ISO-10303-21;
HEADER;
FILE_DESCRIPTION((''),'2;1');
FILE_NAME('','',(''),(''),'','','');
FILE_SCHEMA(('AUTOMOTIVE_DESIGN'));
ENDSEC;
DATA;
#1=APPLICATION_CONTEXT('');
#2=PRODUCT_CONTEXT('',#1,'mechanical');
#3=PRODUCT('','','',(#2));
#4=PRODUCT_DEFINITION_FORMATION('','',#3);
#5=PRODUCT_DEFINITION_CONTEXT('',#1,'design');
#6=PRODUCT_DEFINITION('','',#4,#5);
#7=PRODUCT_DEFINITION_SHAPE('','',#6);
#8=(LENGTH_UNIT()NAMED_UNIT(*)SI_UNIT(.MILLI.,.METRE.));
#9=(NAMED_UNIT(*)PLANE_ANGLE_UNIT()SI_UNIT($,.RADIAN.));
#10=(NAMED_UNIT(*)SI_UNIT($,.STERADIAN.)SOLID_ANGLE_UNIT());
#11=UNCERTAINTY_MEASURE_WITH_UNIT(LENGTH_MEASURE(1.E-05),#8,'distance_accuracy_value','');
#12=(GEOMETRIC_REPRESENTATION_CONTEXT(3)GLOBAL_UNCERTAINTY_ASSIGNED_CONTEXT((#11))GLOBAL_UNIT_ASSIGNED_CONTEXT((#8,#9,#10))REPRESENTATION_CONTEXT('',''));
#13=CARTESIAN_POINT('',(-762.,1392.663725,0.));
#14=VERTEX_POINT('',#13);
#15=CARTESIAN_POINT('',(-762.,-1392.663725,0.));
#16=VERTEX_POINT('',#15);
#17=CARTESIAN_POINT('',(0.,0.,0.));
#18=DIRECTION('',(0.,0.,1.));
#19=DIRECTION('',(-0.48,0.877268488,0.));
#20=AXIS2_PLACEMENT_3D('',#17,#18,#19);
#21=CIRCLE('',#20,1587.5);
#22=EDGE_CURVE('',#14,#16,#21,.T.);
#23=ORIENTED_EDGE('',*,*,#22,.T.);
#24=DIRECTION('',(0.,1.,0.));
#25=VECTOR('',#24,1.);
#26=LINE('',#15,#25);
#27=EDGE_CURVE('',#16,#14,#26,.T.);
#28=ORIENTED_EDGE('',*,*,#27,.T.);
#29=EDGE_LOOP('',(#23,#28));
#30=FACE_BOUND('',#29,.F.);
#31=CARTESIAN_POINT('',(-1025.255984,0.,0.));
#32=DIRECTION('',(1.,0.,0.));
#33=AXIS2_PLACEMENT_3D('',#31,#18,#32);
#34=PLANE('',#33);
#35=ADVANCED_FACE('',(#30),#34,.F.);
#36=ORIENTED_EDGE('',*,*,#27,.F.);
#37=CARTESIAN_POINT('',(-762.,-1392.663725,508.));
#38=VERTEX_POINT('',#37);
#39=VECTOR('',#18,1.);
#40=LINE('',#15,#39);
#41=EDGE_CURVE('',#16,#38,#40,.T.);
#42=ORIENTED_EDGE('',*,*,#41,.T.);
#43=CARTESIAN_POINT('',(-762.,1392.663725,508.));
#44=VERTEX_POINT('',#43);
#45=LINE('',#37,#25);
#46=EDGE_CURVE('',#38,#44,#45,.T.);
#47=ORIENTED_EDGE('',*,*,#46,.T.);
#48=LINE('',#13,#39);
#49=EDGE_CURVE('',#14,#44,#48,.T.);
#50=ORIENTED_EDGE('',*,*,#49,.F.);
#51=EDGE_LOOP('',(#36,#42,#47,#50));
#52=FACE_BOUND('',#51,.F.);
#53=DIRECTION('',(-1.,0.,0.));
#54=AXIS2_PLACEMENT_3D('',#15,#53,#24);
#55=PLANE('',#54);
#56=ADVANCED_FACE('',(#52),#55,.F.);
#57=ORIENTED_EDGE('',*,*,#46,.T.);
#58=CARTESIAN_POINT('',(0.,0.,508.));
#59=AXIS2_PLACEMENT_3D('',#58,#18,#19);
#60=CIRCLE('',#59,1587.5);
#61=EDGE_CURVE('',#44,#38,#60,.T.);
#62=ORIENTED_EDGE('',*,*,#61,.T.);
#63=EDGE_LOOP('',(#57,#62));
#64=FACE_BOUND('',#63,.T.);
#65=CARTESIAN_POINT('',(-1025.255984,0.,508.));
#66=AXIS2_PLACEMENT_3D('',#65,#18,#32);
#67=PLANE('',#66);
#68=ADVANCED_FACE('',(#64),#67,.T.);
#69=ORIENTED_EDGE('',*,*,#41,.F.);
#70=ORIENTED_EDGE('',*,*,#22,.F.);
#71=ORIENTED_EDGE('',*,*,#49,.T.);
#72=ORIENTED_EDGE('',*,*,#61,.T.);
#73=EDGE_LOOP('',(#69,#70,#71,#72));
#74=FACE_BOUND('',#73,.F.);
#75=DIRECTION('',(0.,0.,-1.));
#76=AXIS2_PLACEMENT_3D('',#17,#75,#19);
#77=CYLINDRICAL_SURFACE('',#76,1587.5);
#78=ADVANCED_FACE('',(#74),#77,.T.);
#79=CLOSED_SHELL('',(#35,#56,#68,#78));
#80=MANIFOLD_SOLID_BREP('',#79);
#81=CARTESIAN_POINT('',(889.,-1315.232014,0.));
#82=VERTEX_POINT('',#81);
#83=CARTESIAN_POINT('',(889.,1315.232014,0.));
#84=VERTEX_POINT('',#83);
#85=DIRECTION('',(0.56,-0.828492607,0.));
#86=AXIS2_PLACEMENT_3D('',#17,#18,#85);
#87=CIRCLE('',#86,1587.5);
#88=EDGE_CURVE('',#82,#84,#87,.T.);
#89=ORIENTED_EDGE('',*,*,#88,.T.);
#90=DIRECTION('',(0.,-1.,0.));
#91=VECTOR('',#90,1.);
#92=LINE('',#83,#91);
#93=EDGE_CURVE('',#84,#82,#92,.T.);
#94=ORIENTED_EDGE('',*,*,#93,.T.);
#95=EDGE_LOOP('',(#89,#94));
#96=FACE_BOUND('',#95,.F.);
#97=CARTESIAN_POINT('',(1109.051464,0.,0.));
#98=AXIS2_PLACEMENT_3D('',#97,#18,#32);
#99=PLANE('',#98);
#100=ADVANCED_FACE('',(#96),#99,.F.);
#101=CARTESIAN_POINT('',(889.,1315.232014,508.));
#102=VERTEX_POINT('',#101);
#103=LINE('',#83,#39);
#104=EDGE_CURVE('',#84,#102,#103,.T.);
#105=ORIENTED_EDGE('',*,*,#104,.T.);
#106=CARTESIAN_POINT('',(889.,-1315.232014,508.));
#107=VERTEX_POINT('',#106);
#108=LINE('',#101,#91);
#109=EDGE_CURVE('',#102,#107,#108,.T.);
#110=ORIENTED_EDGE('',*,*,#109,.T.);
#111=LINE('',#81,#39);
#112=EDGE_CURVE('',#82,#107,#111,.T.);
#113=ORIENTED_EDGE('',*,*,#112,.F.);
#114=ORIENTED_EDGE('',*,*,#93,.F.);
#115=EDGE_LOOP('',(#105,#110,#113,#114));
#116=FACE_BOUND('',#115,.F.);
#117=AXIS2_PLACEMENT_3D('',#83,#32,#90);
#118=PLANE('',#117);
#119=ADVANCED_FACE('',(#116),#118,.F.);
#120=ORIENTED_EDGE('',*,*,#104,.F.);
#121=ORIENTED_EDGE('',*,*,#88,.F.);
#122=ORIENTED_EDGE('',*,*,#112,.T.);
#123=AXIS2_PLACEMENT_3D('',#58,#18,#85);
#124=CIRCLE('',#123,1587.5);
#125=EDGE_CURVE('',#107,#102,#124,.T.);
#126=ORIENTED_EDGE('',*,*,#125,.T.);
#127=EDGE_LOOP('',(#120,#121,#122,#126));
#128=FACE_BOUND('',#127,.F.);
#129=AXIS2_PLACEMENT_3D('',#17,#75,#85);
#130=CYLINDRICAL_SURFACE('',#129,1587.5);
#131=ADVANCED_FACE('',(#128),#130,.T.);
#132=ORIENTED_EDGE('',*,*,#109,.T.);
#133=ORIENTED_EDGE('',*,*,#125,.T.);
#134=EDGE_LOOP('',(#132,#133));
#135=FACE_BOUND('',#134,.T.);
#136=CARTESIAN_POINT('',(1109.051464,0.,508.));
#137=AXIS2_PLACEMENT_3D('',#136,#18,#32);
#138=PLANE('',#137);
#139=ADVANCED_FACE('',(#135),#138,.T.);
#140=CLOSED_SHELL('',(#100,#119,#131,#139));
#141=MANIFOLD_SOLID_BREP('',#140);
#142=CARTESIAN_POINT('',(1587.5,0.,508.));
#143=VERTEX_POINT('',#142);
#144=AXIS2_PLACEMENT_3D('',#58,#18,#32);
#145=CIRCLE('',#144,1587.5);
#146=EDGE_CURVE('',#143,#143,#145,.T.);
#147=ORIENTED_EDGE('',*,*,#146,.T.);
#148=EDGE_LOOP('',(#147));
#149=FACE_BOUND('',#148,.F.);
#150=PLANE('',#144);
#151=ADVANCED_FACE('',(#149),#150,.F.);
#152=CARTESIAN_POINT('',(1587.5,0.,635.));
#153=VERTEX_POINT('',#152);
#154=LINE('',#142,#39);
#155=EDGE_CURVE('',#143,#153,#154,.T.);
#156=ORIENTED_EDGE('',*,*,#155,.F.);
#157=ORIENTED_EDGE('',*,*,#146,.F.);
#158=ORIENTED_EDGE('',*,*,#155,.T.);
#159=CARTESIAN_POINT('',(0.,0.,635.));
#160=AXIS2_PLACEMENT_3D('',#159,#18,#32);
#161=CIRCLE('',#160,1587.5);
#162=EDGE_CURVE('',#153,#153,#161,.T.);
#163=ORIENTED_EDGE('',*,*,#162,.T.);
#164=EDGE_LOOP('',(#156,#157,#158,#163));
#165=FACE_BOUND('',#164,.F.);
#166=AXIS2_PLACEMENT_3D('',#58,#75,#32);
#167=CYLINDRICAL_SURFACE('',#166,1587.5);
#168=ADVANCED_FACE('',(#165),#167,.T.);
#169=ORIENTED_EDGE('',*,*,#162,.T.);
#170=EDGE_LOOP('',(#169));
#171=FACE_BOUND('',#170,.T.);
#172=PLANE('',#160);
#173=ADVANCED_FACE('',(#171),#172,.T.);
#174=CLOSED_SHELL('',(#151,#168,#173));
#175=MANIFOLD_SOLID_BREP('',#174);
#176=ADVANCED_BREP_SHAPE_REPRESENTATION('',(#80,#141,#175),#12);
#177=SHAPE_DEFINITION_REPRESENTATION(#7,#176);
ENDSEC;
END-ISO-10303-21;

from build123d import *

# Parameters (mm, degrees)
F1_DEPTH = 508
F3_R     = 1587.5
F4_DEPTH = 127


with BuildPart() as f1:
    # F0 (on Top) → F1 (new body)
    with BuildSketch(Plane.XY):
        with BuildLine():
            Line((-762, -1392.6637246658), (-762, 1392.6637246658))
            ThreePointArc((-762, 1392.6637246658), (-1587.5, 0), (-762, -1392.6637246658))
        make_face()
    extrude(amount=F1_DEPTH)


with BuildPart() as f1b:
    # F0 (on Top) → F1, piece 2 (new body)
    with BuildSketch(Plane.XY):
        with BuildLine():
            ThreePointArc((889, -1315.2320137527), (1402.0420375296, -744.6035018719), (1587.5, 0))
            ThreePointArc((1587.5, 0), (1402.0420375296, 744.6035018719), (889, 1315.2320137527))
            Line((889, 1315.2320137527), (889, -1315.2320137527))
        make_face()
    extrude(amount=F1_DEPTH)


with BuildPart() as f4:
    # F3 (on 3pt) → F4 (new body)
    with BuildSketch(Plane.XY.offset(508)):
        Circle(F3_R)
    extrude(amount=F4_DEPTH)


solid = Compound([f1.part, f1b.part, f4.part])
